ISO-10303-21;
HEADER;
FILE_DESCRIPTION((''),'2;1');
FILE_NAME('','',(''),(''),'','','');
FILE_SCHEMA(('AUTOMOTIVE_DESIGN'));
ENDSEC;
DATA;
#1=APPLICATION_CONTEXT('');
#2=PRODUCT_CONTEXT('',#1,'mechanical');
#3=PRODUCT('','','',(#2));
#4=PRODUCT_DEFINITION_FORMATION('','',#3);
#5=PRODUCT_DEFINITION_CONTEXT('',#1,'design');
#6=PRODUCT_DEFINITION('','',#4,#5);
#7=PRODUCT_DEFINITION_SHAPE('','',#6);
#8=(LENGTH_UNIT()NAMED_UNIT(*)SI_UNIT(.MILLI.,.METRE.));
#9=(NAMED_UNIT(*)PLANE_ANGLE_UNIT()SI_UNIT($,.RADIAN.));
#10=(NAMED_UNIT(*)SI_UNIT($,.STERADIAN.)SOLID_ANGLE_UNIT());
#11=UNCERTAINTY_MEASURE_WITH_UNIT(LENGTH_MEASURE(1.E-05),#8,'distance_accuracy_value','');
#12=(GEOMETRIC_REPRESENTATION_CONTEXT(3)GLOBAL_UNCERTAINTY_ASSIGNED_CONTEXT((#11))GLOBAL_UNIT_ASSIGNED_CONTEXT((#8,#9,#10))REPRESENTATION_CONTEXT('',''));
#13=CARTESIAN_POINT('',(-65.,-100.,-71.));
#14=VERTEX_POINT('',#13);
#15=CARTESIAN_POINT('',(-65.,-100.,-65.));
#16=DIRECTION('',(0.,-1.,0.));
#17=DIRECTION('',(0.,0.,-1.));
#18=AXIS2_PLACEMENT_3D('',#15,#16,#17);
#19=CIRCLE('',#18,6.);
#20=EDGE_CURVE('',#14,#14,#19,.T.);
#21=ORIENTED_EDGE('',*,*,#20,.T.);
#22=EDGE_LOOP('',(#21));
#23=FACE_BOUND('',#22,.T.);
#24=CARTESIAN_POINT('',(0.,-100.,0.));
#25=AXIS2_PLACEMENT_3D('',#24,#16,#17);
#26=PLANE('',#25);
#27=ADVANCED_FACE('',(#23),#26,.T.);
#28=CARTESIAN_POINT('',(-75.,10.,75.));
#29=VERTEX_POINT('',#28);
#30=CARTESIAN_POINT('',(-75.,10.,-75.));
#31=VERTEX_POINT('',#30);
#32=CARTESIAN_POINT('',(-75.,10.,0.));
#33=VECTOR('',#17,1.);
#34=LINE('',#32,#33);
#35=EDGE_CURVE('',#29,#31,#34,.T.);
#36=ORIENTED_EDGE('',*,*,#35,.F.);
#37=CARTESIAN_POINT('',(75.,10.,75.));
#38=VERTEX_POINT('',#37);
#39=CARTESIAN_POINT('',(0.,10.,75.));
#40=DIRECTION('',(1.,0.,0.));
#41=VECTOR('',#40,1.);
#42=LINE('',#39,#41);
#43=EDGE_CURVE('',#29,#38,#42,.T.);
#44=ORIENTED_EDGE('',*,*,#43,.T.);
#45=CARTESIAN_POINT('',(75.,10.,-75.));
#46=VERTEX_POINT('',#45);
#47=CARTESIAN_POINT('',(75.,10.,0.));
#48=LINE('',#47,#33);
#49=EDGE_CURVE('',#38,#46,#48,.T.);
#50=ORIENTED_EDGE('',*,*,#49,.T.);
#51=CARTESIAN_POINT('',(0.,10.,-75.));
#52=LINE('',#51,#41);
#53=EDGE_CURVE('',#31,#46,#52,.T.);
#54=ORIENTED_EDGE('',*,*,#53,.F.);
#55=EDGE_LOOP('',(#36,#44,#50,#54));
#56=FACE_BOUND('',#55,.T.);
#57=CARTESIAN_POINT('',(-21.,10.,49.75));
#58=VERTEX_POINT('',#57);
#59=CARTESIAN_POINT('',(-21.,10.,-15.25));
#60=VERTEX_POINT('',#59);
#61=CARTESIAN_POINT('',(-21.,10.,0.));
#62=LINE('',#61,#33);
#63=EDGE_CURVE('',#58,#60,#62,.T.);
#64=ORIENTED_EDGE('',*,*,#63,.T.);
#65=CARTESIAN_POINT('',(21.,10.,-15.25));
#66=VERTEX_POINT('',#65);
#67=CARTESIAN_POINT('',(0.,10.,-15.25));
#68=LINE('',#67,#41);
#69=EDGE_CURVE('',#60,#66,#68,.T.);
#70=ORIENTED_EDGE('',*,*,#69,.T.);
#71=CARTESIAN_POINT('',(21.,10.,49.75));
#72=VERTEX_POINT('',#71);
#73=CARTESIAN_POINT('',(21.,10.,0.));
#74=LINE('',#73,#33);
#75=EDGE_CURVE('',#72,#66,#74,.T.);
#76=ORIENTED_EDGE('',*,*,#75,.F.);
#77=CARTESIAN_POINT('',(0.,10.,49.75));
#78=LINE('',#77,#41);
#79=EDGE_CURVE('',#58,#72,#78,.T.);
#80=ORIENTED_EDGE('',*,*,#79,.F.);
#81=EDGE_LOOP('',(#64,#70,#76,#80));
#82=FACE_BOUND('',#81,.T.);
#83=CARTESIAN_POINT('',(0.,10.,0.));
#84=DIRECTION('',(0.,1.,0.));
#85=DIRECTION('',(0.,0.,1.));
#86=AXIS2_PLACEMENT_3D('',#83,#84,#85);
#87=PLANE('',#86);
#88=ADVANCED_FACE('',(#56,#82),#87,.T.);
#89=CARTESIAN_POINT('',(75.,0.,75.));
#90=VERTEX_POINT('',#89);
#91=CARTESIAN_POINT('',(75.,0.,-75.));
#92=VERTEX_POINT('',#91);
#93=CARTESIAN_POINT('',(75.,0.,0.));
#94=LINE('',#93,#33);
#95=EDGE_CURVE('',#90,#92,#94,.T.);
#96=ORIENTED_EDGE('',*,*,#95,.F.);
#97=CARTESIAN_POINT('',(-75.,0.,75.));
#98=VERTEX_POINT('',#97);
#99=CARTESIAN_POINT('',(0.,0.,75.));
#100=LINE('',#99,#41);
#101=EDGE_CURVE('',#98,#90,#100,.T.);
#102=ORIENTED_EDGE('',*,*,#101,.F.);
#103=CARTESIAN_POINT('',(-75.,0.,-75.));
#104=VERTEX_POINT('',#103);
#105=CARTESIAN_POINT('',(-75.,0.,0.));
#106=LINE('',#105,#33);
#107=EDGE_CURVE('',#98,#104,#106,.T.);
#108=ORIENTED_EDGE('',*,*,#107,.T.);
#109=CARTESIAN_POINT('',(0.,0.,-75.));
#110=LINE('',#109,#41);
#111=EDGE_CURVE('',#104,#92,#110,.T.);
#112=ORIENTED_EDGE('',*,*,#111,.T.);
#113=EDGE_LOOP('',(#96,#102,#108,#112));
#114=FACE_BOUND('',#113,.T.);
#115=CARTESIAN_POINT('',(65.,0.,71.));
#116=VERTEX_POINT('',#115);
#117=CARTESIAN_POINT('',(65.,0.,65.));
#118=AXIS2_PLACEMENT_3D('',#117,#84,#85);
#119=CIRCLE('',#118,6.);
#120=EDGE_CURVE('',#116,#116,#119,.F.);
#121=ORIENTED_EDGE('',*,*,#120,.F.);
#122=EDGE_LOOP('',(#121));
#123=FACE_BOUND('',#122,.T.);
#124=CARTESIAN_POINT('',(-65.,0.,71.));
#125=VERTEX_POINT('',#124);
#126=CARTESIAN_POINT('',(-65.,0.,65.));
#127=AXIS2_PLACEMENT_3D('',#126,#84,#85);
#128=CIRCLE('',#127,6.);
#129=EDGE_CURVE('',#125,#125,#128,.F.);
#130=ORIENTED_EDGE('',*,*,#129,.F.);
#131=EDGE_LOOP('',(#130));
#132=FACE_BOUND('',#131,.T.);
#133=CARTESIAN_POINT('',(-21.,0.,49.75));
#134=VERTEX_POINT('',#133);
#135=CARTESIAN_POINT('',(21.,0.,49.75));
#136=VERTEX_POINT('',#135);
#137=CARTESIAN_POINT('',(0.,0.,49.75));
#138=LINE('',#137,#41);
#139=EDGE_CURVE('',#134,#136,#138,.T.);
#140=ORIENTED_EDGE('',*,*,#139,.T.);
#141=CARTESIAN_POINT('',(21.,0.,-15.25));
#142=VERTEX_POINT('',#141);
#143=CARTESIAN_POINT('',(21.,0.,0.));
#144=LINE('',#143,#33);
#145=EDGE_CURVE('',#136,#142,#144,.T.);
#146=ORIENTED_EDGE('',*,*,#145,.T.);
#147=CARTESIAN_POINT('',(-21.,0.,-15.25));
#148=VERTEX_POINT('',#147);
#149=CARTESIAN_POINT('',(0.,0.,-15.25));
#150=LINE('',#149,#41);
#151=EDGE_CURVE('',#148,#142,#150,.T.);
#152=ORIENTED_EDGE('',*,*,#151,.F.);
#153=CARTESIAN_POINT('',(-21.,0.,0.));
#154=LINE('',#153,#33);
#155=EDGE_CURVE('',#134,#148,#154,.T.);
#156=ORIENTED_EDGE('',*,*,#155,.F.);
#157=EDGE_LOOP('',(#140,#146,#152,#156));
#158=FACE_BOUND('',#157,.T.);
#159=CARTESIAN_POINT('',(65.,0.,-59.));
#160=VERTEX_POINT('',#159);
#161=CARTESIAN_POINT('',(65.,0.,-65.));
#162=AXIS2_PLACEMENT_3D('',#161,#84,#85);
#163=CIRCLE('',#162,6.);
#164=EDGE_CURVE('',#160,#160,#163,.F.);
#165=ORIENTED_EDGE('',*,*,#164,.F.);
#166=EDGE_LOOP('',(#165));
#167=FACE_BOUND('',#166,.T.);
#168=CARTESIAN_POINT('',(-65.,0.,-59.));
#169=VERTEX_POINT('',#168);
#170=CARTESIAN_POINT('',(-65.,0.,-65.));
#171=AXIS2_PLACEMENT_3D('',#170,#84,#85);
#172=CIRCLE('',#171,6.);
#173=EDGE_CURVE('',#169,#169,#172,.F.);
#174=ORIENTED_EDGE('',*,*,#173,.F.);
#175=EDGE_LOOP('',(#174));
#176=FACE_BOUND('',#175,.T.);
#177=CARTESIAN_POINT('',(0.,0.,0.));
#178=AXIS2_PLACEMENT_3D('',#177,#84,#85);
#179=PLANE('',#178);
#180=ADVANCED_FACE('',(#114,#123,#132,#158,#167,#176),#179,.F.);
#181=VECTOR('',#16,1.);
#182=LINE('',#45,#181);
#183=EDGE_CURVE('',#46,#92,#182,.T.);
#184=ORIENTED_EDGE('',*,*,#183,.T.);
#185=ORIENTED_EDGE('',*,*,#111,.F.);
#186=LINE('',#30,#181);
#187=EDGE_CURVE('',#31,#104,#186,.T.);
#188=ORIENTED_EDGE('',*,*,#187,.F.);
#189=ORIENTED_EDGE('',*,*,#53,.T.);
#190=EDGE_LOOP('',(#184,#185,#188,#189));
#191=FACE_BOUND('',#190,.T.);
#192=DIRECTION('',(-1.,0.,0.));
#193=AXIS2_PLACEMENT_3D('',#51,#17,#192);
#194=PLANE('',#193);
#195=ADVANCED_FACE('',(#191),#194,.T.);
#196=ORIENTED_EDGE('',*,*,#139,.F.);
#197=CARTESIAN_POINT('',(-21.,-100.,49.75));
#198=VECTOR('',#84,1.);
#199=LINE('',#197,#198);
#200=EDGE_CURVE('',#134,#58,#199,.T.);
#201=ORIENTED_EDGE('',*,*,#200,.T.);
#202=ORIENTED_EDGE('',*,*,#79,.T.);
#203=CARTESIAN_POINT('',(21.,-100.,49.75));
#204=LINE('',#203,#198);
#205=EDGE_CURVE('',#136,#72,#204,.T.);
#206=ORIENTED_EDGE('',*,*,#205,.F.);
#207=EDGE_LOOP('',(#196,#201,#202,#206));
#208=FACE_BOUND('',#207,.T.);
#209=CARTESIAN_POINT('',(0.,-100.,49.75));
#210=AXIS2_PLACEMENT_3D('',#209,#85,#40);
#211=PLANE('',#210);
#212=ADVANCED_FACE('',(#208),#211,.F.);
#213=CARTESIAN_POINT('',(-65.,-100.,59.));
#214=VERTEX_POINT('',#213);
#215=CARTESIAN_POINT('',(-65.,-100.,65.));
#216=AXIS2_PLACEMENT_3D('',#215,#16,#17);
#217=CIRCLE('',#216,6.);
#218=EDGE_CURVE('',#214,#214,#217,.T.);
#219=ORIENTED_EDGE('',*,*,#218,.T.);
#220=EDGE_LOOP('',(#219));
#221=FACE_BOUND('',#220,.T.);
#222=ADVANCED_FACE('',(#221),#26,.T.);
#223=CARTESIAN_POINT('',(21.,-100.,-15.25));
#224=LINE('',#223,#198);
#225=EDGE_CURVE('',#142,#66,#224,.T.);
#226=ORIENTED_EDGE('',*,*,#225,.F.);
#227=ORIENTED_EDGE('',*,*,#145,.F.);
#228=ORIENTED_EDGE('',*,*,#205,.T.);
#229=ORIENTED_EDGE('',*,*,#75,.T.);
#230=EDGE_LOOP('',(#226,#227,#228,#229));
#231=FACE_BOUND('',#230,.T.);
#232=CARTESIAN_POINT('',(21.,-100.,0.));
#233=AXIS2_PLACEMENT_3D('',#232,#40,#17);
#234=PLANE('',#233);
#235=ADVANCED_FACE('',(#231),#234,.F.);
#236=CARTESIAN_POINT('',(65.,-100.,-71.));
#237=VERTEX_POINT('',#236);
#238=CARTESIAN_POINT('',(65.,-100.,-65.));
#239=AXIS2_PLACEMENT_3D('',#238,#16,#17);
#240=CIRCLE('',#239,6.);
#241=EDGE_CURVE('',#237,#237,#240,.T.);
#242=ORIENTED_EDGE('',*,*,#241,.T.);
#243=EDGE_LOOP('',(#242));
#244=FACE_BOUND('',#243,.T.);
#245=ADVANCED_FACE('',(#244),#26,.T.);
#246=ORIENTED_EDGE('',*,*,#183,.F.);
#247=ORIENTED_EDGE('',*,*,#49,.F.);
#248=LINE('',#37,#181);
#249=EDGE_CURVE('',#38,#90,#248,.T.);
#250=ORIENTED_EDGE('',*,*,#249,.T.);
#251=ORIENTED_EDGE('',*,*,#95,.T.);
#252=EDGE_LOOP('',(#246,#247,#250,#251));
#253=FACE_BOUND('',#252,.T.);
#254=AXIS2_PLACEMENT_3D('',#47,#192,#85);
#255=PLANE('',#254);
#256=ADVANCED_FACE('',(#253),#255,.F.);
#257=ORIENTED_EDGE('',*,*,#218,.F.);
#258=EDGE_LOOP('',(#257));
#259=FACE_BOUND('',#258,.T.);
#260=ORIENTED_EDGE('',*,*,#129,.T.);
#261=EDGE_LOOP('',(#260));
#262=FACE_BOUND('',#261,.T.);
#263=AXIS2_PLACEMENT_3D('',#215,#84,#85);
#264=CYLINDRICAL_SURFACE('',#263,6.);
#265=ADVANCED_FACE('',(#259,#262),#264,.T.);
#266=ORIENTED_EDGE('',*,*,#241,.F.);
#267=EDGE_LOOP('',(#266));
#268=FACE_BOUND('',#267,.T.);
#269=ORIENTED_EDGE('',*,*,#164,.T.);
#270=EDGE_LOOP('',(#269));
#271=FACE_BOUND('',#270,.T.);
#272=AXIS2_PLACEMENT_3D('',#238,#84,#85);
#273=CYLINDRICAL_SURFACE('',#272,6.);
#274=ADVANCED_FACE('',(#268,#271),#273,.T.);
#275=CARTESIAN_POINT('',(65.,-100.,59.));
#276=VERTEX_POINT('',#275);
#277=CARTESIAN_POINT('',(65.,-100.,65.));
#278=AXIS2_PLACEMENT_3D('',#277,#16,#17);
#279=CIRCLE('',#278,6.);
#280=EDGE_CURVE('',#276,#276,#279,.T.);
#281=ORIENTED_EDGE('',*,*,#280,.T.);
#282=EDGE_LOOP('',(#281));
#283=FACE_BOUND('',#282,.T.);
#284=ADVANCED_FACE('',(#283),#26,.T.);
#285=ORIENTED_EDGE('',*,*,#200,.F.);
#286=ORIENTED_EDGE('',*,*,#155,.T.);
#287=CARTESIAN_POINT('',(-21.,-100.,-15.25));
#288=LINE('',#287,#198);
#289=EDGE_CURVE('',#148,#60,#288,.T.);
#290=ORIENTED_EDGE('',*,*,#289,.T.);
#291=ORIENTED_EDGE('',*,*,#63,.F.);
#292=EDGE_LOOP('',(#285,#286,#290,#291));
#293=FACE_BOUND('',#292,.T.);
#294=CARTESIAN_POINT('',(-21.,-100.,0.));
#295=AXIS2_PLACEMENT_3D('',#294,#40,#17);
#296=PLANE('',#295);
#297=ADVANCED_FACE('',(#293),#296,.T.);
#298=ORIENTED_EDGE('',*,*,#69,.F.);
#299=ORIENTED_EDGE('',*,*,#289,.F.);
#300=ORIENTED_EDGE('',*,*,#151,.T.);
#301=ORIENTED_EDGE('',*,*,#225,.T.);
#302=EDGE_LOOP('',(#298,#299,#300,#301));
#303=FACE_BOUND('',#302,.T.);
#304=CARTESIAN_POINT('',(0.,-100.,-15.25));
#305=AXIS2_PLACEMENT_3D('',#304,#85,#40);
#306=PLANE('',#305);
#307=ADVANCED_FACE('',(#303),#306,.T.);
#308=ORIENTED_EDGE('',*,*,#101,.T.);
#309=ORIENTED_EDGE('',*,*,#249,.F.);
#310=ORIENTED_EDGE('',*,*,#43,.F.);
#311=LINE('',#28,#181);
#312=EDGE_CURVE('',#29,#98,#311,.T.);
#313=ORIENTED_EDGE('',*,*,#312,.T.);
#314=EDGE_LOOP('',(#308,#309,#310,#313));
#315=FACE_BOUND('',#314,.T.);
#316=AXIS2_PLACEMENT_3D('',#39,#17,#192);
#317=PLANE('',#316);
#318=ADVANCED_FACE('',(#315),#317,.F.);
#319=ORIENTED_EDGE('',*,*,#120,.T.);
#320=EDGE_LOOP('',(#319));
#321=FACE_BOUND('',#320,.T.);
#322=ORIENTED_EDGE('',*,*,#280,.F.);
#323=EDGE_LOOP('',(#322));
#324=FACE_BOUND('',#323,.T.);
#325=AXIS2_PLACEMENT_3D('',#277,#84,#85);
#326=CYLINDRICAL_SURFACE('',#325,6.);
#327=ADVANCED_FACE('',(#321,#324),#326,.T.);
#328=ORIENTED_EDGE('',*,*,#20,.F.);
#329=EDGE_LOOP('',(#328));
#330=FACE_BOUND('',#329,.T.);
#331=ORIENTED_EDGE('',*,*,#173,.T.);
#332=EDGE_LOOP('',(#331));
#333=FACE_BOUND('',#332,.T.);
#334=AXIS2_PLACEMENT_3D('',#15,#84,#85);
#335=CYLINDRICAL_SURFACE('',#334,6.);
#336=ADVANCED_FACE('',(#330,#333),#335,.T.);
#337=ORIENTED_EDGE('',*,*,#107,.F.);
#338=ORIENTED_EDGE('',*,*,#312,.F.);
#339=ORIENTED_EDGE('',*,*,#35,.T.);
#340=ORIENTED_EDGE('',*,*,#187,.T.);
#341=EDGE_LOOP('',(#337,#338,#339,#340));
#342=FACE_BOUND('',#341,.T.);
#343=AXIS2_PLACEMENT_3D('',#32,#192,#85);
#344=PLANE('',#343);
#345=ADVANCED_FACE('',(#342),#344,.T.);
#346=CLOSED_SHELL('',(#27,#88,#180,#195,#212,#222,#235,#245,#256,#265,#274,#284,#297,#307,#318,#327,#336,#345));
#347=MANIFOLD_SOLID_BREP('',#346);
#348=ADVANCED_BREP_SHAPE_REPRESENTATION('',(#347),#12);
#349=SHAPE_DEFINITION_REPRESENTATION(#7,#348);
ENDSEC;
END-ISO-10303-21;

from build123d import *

# Parameters (mm, degrees)
SKETCH1_W           = 150
SKETCH1_H           = 150
BOSS_EXTRUDE2_DEPTH = 10
BOSS_EXTRUDE3_DEPTH = 100
SKETCH4_W           = 42
SKETCH4_H           = 65
CUT_EXTRUDE1_DEPTH  = 111


with BuildPart() as part:
    # Sketch1 → Boss-Extrude2 (new body)
    with BuildSketch(Plane(origin=(0, 0, 0), x_dir=(1, 0, 0), z_dir=(0, 1, 0))):
        Rectangle(SKETCH1_W, SKETCH1_H)
    extrude(amount=BOSS_EXTRUDE2_DEPTH)

    # Sketch3 → Boss-Extrude3 (add)
    with BuildSketch(Plane.XZ):
        with BuildLine():
            ThreePointArc((-59, 65), (-69.242640687, 69.242640687), (-65, 59))
            Line((-65, 59), (-65, 65))
            Line((-65, 65), (-59, 65))
        make_face()
        with BuildLine():
            Line((-65, 65), (-65, 59))
            ThreePointArc((-65, 59), (-60.757359313, 60.757359313), (-59, 65))
            Line((-59, 65), (-65, 65))
        make_face()
        with BuildLine():
            ThreePointArc((59, 65), (60.757359313, 60.757359313), (65, 59))
            Line((65, 59), (65, 65))
            Line((65, 65), (59, 65))
        make_face()
        with BuildLine():
            Line((65, 65), (65, 59))
            ThreePointArc((65, 59), (69.242640687, 60.757359313), (71, 65))
            ThreePointArc((71, 65), (65, 71), (59, 65))
            Line((59, 65), (65, 65))
        make_face()
        with BuildLine():
            ThreePointArc((59, 65), (60.757359313, 60.757359313), (65, 59))
            Line((65, 59), (65, 65))
            Line((65, 65), (59, 65))
        make_face()
        with BuildLine():
            Line((65, 65), (65, 59))
            ThreePointArc((65, 59), (69.242640687, 60.757359313), (71, 65))
            ThreePointArc((71, 65), (65, 71), (59, 65))
            Line((59, 65), (65, 65))
        make_face()
        with BuildLine():
            ThreePointArc((-59, 65), (-69.242640687, 69.242640687), (-65, 59))
            Line((-65, 59), (-65, 65))
            Line((-65, 65), (-59, 65))
        make_face()
        with BuildLine():
            Line((-65, 65), (-65, 59))
            ThreePointArc((-65, 59), (-60.757359313, 60.757359313), (-59, 65))
            Line((-59, 65), (-65, 65))
        make_face()
        with BuildLine():
            Line((-65, -59), (-65, -65))
            Line((-65, -65), (-59, -65))
            ThreePointArc((-59, -65), (-60.757359313, -60.757359313), (-65, -59))
        make_face()
        with BuildLine():
            Line((-59, -65), (-65, -65))
            Line((-65, -65), (-65, -59))
            ThreePointArc((-65, -59), (-69.242640687, -69.242640687), (-59, -65))
        make_face()
        with BuildLine():
            Line((-65, -59), (-65, -65))
            Line((-65, -65), (-59, -65))
            ThreePointArc((-59, -65), (-60.757359313, -60.757359313), (-65, -59))
        make_face()
        with BuildLine():
            Line((-59, -65), (-65, -65))
            Line((-65, -65), (-65, -59))
            ThreePointArc((-65, -59), (-69.242640687, -69.242640687), (-59, -65))
        make_face()
        with BuildLine():
            ThreePointArc((65, -59), (60.757359313, -60.757359313), (59, -65))
            Line((59, -65), (65, -65))
            Line((65, -65), (65, -59))
        make_face()
        with BuildLine():
            Line((65, -65), (59, -65))
            ThreePointArc((59, -65), (65, -71), (71, -65))
            ThreePointArc((71, -65), (69.242640687, -60.757359313), (65, -59))
            Line((65, -59), (65, -65))
        make_face()
        with BuildLine():
            ThreePointArc((65, -59), (60.757359313, -60.757359313), (59, -65))
            Line((59, -65), (65, -65))
            Line((65, -65), (65, -59))
        make_face()
        with BuildLine():
            Line((65, -65), (59, -65))
            ThreePointArc((59, -65), (65, -71), (71, -65))
            ThreePointArc((71, -65), (69.242640687, -60.757359313), (65, -59))
            Line((65, -59), (65, -65))
        make_face()
    extrude(amount=BOSS_EXTRUDE3_DEPTH)

    # Sketch4 → Cut-Extrude1 (cut, through all)
    with BuildSketch(Plane(origin=(0, 10, 0), x_dir=(1, 0, 0), z_dir=(0, 1, 0))):
        with Locations((0, -17.25)):
            Rectangle(SKETCH4_W, SKETCH4_H)
    extrude(amount=-CUT_EXTRUDE1_DEPTH, mode=Mode.SUBTRACT)


solid = part.part
